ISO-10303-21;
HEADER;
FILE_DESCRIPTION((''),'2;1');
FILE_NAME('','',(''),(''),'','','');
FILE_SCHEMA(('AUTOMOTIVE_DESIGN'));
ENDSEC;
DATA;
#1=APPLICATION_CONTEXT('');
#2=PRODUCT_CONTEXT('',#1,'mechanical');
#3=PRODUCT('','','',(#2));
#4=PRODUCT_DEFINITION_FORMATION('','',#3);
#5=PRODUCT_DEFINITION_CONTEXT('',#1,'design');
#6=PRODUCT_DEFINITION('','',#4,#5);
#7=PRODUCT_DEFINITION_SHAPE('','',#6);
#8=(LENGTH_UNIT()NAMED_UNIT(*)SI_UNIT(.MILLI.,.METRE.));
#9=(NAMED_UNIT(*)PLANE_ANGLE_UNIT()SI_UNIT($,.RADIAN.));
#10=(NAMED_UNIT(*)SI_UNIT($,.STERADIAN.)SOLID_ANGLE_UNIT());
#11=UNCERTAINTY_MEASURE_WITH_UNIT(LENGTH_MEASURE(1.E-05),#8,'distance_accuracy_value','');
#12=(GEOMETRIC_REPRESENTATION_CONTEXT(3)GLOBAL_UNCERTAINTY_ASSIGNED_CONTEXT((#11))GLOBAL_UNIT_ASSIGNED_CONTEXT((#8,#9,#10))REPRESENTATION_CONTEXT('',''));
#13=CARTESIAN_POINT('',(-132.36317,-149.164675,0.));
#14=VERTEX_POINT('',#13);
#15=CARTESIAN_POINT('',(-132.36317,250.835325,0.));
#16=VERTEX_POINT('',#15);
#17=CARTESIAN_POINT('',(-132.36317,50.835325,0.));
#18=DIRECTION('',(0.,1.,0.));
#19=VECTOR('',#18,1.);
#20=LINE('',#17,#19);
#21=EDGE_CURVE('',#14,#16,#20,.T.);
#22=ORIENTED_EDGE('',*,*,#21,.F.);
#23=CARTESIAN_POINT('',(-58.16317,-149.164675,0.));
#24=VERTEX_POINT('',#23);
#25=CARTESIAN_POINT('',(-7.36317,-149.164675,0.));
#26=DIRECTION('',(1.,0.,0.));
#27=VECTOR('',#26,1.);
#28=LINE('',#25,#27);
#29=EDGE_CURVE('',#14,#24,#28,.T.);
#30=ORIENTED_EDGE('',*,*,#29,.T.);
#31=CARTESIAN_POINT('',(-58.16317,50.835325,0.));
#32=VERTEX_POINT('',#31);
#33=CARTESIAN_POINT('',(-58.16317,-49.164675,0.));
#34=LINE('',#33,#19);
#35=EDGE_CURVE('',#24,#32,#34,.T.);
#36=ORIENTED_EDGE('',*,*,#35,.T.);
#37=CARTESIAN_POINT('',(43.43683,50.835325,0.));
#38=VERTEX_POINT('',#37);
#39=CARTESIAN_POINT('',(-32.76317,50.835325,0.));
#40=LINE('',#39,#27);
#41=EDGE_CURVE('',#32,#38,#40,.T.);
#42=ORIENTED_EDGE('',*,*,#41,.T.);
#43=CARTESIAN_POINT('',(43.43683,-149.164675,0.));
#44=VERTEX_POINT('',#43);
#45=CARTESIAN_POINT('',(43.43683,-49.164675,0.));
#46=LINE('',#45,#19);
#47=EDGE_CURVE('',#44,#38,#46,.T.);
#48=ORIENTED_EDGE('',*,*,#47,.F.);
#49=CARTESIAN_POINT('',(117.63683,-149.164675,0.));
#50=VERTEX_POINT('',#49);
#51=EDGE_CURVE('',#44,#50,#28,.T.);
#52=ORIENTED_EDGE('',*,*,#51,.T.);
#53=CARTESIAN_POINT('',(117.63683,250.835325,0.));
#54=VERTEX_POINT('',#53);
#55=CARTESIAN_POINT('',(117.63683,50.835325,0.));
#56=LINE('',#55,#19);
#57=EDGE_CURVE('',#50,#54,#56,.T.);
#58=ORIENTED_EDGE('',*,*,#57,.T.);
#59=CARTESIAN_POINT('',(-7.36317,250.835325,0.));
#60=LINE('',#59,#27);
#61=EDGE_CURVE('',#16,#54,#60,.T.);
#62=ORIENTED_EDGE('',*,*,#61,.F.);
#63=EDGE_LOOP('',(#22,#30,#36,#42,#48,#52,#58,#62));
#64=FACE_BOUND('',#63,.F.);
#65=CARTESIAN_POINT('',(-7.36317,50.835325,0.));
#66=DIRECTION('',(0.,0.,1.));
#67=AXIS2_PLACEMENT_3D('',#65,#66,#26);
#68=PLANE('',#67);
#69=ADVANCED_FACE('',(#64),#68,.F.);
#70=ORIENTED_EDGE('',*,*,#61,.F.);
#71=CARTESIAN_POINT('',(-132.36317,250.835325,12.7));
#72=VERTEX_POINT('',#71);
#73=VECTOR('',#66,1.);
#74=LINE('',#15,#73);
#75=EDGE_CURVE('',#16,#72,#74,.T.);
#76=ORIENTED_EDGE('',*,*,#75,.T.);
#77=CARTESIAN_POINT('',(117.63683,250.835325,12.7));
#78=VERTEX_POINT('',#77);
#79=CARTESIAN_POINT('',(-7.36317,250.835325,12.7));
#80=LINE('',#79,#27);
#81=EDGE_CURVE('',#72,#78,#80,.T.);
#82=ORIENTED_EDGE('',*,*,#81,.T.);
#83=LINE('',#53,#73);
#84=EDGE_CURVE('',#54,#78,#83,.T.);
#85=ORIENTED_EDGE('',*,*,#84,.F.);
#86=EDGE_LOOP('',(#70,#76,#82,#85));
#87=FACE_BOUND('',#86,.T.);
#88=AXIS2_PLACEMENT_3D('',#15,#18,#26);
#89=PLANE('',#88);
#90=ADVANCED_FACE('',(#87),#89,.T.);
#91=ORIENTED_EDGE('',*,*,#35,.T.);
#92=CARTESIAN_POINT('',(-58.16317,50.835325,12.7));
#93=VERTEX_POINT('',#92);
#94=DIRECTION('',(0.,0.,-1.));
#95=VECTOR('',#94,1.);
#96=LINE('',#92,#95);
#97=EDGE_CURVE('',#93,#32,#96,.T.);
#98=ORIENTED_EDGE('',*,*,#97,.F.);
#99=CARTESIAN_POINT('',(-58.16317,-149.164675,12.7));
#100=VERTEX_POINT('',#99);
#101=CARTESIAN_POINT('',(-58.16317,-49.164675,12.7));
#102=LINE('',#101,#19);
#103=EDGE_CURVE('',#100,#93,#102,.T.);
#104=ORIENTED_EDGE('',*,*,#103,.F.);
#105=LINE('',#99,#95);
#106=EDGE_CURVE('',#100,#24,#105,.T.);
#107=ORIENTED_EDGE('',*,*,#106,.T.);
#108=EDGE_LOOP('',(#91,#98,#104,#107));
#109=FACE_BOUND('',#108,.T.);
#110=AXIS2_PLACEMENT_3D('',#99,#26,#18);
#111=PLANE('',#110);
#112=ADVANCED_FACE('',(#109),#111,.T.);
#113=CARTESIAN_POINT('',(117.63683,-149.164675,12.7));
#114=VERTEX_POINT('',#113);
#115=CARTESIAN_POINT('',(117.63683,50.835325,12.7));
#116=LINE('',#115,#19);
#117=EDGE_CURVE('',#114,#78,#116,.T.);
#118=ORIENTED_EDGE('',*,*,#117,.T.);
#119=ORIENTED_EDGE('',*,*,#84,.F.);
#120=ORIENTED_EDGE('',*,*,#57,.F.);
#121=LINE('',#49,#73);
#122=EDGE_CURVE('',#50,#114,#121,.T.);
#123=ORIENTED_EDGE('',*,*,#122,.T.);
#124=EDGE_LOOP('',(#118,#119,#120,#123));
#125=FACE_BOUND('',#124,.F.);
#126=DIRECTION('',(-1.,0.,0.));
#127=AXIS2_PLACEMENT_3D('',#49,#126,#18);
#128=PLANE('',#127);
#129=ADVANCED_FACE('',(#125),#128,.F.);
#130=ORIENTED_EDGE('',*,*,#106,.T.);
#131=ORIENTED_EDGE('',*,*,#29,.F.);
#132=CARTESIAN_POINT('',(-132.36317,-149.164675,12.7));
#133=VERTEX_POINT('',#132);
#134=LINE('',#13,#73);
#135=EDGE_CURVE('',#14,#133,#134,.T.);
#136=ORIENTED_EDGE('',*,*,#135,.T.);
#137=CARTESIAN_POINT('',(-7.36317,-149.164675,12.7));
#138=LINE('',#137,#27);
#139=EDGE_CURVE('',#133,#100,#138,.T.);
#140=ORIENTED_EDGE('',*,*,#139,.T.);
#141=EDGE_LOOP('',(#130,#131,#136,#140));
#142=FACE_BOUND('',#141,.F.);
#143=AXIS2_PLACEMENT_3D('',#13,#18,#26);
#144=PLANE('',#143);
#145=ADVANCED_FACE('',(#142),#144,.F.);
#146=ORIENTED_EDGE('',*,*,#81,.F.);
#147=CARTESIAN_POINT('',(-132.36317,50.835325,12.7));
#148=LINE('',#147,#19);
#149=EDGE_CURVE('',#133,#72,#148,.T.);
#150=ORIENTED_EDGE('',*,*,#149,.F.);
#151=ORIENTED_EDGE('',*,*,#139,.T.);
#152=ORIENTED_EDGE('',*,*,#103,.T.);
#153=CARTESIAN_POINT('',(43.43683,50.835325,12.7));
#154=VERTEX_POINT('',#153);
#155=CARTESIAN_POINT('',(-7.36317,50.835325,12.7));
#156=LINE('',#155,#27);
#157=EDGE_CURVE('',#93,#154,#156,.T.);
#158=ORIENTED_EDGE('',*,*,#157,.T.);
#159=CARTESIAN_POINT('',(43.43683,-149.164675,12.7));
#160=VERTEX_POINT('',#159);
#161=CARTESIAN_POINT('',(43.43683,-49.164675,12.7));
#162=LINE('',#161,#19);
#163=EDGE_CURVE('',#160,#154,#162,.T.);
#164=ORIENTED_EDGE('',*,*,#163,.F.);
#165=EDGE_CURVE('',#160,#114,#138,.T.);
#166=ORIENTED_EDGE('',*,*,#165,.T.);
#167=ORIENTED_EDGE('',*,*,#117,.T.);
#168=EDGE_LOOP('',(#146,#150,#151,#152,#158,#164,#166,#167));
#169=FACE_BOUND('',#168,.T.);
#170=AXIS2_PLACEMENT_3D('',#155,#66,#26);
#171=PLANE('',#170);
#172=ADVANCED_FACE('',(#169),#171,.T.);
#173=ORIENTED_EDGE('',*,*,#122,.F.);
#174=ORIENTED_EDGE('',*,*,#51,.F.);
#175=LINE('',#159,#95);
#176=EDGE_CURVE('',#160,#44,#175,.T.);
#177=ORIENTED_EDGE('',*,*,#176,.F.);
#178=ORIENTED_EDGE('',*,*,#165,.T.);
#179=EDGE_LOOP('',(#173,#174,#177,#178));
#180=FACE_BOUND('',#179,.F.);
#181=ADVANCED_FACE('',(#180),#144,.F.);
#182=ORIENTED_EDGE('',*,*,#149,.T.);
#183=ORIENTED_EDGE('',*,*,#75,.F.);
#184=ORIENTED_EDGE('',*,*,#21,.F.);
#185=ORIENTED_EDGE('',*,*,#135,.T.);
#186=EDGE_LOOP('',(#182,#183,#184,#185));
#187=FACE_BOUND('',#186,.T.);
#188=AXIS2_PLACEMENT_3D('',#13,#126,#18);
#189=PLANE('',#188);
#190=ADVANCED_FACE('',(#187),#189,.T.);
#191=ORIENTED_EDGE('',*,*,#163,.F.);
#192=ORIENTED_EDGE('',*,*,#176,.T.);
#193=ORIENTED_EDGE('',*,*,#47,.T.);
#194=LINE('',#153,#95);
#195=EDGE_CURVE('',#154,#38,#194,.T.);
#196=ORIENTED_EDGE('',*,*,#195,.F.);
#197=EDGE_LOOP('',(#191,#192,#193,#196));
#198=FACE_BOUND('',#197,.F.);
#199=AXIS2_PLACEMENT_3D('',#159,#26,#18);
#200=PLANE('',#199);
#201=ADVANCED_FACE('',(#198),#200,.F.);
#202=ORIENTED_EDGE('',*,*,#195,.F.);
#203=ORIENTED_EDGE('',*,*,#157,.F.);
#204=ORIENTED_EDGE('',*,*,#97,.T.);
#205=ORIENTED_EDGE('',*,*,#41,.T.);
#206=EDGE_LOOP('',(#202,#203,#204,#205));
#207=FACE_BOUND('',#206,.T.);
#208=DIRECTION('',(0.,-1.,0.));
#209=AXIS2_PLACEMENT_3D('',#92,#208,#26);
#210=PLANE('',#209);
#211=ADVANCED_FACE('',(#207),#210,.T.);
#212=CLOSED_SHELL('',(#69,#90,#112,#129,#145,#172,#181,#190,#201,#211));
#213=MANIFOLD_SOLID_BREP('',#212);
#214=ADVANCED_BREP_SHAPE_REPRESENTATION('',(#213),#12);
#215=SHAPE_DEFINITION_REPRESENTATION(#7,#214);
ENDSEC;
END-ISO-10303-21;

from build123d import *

# Parameters (mm, degrees)
F1_W     = 250
F1_H     = 400
F2_DEPTH = 12.7
F3_W     = 101.6
F3_H     = 200
F4_DEPTH = 25.4


with BuildPart() as f2:
    # F1 (on face) → F2 (new body)
    with BuildSketch(Plane.XY):
        with Locations((-7.36317, 50.835325)):
            Rectangle(F1_W, F1_H)
    extrude(amount=F2_DEPTH)

    # F3 (on face) → F4 (cut)
    with BuildSketch(Plane.XY.offset(12.7)):
        with Locations((-7.36317, -49.164675)):
            Rectangle(F3_W, F3_H)
    extrude(amount=-F4_DEPTH, mode=Mode.SUBTRACT)


solid = f2.part
